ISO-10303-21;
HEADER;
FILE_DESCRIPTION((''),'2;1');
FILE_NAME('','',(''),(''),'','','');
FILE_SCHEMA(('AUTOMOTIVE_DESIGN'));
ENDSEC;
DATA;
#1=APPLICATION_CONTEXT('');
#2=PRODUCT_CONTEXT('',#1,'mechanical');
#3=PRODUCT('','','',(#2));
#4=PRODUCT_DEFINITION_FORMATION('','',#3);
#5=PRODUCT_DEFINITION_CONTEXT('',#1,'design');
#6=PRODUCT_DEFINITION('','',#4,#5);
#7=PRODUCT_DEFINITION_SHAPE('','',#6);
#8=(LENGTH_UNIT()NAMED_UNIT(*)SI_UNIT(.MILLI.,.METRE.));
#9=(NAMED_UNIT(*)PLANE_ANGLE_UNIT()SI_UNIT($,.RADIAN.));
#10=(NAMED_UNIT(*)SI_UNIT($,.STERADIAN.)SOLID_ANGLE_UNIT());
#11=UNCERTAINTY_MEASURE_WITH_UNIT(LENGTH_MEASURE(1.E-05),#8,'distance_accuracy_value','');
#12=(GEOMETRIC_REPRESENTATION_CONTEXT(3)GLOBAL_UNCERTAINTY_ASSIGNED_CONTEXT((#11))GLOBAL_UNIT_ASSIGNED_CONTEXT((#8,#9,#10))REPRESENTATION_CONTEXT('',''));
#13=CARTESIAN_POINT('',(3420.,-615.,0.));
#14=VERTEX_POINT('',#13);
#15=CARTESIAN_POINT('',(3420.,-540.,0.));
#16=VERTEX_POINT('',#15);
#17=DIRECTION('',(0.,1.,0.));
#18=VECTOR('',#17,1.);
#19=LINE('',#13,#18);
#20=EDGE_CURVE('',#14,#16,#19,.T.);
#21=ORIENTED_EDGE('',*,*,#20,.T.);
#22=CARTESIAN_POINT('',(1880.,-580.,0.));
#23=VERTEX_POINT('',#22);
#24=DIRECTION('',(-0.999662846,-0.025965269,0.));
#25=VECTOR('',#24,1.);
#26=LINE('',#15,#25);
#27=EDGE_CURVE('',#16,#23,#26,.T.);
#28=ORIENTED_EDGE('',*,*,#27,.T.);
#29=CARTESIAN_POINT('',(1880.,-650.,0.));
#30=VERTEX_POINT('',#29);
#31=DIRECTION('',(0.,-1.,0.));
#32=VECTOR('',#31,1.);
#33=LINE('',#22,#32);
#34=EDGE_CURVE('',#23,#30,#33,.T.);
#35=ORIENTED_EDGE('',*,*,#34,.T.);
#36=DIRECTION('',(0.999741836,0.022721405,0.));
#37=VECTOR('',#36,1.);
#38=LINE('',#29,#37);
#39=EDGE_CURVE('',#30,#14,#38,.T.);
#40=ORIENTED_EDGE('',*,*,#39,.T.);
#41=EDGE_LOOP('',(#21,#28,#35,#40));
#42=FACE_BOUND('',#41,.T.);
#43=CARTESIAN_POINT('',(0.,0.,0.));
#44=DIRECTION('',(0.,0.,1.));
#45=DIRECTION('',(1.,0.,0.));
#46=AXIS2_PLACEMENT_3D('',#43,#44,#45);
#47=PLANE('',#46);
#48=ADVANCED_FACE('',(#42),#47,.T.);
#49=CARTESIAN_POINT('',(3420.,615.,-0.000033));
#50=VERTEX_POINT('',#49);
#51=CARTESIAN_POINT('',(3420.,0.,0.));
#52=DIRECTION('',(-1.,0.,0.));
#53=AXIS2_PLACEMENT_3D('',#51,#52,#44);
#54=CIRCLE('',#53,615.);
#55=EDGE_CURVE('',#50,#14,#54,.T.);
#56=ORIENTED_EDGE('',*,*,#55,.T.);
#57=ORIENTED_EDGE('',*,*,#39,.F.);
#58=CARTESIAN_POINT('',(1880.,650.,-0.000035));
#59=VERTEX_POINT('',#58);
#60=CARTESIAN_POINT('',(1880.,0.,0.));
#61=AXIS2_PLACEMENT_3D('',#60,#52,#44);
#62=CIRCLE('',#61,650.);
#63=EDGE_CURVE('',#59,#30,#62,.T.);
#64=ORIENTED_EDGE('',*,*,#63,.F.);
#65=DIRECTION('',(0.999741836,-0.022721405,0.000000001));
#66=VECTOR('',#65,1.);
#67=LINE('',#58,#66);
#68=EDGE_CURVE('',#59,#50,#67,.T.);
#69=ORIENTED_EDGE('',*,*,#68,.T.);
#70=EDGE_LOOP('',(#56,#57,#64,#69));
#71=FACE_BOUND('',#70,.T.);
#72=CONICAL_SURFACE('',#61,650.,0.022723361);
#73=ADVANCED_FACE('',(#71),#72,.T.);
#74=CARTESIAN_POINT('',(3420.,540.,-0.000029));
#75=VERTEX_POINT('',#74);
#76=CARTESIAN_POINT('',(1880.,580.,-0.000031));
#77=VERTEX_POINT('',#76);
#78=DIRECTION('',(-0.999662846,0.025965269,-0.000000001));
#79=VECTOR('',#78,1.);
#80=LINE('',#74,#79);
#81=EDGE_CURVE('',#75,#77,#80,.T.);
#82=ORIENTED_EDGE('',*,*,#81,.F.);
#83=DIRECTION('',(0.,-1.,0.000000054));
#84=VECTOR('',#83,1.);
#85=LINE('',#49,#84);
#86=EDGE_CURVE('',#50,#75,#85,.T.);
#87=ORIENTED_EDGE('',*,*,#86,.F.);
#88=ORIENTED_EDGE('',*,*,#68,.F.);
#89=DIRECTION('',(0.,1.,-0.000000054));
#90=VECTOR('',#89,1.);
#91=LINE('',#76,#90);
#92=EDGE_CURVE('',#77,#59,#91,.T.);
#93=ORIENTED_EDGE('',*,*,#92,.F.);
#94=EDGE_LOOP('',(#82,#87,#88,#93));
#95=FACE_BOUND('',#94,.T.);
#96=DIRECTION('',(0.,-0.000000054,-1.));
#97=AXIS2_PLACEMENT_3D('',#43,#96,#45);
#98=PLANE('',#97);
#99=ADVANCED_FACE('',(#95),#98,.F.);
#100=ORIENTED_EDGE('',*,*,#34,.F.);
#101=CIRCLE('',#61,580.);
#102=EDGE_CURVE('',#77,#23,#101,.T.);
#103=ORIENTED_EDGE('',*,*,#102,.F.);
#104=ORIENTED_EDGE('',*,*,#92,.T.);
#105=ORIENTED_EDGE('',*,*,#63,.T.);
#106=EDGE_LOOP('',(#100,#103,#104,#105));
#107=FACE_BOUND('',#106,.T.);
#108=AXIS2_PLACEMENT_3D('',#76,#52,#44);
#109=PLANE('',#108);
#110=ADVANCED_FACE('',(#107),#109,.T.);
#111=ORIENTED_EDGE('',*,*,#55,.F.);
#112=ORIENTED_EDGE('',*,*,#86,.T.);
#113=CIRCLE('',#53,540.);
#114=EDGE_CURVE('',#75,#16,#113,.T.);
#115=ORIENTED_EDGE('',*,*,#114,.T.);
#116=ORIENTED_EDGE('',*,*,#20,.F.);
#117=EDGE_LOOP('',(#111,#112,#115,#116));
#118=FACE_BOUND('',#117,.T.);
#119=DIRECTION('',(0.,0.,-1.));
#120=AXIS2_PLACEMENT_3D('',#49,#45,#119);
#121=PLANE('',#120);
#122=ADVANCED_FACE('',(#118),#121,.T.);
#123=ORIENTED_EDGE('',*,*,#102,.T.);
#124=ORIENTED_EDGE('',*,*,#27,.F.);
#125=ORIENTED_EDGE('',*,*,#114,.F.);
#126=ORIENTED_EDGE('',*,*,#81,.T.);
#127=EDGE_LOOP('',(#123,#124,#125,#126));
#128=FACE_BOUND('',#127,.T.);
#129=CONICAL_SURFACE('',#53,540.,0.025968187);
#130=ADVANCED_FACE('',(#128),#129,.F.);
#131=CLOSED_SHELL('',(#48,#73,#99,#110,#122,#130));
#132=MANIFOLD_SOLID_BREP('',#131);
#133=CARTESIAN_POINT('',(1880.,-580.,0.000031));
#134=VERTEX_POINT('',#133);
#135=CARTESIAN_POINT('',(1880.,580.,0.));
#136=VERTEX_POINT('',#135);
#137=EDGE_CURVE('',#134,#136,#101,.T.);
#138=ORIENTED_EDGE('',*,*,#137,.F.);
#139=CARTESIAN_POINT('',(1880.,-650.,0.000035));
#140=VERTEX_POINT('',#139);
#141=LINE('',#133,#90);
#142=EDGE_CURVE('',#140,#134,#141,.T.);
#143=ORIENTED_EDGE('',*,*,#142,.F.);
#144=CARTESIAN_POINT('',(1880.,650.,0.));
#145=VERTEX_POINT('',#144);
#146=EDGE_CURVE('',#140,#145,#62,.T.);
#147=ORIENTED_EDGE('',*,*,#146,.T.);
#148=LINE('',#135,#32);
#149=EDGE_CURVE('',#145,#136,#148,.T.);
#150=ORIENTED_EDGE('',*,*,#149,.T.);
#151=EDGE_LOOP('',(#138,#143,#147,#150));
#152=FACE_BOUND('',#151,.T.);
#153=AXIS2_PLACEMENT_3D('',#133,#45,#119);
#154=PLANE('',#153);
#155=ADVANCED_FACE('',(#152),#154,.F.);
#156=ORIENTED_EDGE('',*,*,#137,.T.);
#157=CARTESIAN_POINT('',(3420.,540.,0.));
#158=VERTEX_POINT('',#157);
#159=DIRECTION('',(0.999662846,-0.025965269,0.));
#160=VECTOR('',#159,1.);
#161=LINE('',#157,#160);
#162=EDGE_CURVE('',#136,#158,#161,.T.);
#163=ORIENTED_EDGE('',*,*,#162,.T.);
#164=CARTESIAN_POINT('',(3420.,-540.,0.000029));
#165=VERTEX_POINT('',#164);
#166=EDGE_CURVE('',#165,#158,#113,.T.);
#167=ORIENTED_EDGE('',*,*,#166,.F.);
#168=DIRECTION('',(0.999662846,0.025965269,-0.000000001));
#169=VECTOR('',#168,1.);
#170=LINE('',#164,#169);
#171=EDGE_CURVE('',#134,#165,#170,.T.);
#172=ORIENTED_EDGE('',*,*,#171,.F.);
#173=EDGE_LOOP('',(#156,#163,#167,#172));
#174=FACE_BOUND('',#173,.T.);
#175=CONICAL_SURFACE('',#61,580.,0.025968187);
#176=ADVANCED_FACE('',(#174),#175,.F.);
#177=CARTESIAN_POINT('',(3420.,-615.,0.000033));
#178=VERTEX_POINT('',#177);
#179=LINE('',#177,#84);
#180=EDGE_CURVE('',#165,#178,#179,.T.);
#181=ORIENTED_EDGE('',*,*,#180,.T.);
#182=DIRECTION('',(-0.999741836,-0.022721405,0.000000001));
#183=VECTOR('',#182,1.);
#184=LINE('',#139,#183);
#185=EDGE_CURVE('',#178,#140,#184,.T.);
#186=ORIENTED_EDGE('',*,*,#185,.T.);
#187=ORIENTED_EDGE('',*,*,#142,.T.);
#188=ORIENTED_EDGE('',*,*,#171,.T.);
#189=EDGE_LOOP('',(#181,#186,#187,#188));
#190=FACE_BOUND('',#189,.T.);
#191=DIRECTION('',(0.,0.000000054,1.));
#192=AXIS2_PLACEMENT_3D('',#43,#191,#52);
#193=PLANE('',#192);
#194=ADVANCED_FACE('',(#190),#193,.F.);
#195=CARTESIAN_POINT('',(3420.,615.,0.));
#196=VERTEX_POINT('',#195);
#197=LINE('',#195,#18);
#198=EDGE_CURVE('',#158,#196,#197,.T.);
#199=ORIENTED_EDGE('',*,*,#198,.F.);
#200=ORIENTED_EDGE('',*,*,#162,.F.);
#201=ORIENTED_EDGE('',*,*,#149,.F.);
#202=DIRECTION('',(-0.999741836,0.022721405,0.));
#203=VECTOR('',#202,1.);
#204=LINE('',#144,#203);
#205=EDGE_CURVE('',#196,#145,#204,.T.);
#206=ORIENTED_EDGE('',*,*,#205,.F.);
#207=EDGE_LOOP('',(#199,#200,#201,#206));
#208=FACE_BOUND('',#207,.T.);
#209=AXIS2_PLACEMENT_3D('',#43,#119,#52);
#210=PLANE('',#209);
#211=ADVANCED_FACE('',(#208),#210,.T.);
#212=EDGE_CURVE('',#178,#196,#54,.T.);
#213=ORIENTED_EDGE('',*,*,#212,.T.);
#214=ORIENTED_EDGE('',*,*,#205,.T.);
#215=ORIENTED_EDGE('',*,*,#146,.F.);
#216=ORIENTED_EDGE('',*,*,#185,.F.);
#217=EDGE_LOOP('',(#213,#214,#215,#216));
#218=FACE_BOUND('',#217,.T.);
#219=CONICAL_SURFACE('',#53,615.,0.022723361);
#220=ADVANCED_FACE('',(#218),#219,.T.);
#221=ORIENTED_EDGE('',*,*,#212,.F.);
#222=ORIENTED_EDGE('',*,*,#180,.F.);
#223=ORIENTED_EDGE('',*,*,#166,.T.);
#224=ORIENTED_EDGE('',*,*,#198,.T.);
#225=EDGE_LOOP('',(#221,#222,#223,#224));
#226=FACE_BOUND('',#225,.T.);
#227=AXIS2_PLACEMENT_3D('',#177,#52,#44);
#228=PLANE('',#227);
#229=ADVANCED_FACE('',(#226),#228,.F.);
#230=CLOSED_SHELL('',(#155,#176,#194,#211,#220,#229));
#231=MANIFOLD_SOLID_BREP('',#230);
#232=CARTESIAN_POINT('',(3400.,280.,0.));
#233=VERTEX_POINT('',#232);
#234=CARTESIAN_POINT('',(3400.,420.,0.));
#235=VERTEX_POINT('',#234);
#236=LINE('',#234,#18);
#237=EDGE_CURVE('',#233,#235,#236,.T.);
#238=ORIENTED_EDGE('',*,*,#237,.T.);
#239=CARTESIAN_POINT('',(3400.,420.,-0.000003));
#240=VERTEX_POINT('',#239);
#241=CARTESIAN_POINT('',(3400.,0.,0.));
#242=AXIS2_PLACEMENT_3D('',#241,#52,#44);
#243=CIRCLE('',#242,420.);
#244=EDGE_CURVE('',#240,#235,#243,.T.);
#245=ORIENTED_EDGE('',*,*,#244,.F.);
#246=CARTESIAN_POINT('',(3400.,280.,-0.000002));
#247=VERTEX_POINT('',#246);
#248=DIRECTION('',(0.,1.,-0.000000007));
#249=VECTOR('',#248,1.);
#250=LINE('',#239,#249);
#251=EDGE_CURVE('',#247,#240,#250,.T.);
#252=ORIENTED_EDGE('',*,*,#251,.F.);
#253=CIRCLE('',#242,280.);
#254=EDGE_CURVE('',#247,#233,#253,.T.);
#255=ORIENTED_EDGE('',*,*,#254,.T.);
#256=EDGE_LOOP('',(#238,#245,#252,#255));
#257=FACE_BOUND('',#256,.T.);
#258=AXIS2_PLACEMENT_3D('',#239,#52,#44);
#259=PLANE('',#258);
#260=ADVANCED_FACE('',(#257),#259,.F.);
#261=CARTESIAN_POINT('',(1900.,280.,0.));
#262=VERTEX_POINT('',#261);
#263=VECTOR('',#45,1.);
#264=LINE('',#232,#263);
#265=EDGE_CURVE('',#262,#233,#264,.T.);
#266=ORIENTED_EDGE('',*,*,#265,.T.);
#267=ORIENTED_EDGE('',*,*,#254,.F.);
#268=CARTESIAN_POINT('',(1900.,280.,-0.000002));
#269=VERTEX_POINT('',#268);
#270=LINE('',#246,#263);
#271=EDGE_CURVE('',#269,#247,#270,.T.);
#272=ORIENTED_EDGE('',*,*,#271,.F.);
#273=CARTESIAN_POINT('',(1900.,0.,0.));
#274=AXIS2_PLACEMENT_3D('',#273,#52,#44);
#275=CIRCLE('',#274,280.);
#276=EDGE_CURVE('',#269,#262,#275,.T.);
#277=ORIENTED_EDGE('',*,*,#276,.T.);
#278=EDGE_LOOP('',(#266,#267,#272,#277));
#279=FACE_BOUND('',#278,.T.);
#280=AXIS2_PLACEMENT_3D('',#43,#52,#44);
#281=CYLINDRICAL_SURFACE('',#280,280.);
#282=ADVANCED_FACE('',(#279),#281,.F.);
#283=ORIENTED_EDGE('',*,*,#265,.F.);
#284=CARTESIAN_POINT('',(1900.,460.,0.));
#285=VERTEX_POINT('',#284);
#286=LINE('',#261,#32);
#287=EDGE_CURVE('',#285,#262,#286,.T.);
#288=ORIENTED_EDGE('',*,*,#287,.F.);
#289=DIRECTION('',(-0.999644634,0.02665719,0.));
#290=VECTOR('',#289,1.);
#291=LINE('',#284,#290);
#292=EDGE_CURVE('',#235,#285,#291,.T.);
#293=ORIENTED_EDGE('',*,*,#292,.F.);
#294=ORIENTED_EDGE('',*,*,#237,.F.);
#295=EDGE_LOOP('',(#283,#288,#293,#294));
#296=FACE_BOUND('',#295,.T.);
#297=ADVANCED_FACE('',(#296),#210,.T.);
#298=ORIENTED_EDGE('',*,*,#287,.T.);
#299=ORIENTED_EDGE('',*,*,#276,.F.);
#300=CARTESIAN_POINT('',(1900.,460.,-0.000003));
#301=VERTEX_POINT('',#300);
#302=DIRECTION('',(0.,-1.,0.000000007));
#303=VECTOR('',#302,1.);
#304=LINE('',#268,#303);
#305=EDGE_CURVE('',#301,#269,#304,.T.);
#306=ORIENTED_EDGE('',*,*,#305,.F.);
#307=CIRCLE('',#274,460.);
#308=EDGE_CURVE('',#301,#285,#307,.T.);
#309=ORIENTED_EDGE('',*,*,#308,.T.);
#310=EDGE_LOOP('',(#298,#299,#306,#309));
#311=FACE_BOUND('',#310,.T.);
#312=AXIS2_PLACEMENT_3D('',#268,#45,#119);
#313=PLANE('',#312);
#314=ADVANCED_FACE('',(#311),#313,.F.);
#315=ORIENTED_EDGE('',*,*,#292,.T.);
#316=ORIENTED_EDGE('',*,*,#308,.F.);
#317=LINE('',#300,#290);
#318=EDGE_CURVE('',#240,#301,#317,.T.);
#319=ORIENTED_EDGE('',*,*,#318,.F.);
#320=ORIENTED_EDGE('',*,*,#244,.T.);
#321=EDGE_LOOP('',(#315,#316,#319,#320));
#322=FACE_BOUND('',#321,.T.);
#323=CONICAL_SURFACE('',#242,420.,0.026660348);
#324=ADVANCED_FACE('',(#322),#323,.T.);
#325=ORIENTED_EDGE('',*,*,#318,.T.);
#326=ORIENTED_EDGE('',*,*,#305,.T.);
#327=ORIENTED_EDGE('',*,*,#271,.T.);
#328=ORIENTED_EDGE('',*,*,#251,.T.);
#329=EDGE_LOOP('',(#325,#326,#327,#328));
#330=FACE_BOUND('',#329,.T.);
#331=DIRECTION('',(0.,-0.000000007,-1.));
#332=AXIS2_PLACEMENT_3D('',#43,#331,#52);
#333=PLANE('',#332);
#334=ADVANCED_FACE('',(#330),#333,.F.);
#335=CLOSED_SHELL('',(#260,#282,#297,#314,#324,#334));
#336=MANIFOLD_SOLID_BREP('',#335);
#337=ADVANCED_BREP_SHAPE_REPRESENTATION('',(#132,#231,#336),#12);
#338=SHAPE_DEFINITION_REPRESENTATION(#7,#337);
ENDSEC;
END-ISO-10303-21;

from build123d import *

# Parameters (mm, degrees)
REVOLVE1_ANGLE = 359.999999589
REVOLVE2_ANGLE = 179.99999693
REVOLVE3_ANGLE = 179.99999693


with BuildPart() as part:
    # Sketch1 → Revolve1 (revolve)
    with BuildSketch(Plane.XY):
        Polygon((1900, 280), (1900, 460), (3400, 420), (3400, 280), align=None)
    revolve(axis=Axis((0, 0, 0), (1, 0, 0)), revolution_arc=REVOLVE1_ANGLE)


with BuildPart() as body_2:
    # Sketch2 → Revolve2 (revolve)
    with BuildSketch(Plane.XY):
        Polygon((1880, 580), (1880, 650), (3420, 615), (3420, 540), align=None)
    revolve(axis=Axis((0, 0, 0), (1, 0, 0)), revolution_arc=REVOLVE2_ANGLE)


with BuildPart() as body_3:
    # Sketch3 → Revolve3 (revolve)
    with BuildSketch(Plane.XY):
        Polygon((1880, -580), (1880, -650), (3420, -615), (3420, -540), align=None)
    revolve(axis=Axis((0, 0, 0), (1, 0, 0)), revolution_arc=REVOLVE3_ANGLE)


solid = Compound([part.part, body_2.part, body_3.part])
